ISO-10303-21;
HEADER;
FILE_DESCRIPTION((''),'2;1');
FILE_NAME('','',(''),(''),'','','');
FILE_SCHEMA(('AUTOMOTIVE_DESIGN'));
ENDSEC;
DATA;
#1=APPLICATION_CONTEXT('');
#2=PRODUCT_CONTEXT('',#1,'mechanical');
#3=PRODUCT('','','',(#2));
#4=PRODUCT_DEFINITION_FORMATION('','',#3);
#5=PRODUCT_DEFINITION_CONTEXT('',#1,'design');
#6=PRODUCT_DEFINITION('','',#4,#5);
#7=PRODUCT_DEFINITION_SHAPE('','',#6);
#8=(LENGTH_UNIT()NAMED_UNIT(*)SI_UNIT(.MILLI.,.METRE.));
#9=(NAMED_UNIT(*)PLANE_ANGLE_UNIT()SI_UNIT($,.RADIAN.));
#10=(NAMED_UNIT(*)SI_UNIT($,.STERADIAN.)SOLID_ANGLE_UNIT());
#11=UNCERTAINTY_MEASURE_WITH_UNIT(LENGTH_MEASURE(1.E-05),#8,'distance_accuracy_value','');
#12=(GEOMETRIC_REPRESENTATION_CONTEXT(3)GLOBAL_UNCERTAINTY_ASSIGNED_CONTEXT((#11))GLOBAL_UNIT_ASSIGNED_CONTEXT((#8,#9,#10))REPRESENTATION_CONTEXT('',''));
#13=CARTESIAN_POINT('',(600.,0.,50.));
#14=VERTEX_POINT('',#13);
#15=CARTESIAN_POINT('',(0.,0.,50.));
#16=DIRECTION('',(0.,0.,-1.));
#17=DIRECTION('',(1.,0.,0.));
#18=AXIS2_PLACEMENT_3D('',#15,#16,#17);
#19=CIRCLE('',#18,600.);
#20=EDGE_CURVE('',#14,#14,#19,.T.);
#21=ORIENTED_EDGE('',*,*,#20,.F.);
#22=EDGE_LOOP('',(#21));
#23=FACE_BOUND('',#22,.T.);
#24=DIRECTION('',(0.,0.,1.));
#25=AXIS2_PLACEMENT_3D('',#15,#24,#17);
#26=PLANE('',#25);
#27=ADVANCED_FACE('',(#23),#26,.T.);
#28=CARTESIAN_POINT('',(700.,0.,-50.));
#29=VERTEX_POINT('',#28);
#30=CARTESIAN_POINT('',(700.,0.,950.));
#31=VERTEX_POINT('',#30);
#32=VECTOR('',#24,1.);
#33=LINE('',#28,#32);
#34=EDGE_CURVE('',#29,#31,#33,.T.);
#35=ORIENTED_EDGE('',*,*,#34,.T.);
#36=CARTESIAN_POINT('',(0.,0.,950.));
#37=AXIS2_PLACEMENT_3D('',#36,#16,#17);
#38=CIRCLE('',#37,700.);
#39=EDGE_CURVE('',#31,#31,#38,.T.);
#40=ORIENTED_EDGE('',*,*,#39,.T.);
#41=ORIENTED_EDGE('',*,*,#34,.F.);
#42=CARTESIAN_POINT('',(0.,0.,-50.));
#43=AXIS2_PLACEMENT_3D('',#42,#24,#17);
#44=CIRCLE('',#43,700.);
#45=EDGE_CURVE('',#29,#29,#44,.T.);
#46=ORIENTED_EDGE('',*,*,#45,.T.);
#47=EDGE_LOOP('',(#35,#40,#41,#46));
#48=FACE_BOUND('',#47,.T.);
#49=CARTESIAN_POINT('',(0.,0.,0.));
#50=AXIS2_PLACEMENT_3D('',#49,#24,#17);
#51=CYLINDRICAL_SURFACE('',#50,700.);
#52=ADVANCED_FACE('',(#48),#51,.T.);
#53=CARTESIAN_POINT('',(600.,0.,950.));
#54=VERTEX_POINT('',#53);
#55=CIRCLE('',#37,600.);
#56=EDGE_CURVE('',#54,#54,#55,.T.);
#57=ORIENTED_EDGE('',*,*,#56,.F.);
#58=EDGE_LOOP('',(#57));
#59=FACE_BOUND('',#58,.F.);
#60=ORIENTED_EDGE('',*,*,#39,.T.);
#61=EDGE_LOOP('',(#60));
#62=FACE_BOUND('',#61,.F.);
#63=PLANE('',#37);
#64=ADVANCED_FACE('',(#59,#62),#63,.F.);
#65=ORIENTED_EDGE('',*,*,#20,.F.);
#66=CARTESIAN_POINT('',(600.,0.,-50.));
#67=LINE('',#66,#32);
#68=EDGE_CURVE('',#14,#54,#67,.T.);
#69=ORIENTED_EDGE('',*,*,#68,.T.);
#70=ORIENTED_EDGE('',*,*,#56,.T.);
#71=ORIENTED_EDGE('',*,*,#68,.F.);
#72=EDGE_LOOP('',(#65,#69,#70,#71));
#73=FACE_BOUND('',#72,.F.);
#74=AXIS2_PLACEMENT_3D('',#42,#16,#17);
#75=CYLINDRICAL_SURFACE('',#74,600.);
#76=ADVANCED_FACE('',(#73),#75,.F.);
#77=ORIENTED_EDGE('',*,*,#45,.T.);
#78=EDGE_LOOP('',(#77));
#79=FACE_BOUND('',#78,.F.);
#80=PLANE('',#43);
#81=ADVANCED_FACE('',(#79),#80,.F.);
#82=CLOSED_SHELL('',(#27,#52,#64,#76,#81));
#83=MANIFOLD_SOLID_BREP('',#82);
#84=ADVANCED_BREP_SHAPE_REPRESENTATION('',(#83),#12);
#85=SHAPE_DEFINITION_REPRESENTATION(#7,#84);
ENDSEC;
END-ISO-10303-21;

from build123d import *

# Parameters (mm, degrees)
F0_R     = 700
F1_DEPTH = 50
F2_R     = 700
F2_R_2   = 600
F3_DEPTH = 1000


with BuildPart() as f1:
    # F0 (on Top) → F1 (new body, symmetric)
    with BuildSketch(Plane.XY):
        Circle(F0_R)
    extrude(amount=F1_DEPTH, both=True)

    # F2 (on face) → F3 (join)
    with BuildSketch(Plane(origin=(0, 0, -50), x_dir=(1, 0, 0), z_dir=(0, 0, -1))):
        Circle(F2_R)
        Circle(F2_R_2, mode=Mode.SUBTRACT)
    extrude(amount=-F3_DEPTH)


solid = f1.part
